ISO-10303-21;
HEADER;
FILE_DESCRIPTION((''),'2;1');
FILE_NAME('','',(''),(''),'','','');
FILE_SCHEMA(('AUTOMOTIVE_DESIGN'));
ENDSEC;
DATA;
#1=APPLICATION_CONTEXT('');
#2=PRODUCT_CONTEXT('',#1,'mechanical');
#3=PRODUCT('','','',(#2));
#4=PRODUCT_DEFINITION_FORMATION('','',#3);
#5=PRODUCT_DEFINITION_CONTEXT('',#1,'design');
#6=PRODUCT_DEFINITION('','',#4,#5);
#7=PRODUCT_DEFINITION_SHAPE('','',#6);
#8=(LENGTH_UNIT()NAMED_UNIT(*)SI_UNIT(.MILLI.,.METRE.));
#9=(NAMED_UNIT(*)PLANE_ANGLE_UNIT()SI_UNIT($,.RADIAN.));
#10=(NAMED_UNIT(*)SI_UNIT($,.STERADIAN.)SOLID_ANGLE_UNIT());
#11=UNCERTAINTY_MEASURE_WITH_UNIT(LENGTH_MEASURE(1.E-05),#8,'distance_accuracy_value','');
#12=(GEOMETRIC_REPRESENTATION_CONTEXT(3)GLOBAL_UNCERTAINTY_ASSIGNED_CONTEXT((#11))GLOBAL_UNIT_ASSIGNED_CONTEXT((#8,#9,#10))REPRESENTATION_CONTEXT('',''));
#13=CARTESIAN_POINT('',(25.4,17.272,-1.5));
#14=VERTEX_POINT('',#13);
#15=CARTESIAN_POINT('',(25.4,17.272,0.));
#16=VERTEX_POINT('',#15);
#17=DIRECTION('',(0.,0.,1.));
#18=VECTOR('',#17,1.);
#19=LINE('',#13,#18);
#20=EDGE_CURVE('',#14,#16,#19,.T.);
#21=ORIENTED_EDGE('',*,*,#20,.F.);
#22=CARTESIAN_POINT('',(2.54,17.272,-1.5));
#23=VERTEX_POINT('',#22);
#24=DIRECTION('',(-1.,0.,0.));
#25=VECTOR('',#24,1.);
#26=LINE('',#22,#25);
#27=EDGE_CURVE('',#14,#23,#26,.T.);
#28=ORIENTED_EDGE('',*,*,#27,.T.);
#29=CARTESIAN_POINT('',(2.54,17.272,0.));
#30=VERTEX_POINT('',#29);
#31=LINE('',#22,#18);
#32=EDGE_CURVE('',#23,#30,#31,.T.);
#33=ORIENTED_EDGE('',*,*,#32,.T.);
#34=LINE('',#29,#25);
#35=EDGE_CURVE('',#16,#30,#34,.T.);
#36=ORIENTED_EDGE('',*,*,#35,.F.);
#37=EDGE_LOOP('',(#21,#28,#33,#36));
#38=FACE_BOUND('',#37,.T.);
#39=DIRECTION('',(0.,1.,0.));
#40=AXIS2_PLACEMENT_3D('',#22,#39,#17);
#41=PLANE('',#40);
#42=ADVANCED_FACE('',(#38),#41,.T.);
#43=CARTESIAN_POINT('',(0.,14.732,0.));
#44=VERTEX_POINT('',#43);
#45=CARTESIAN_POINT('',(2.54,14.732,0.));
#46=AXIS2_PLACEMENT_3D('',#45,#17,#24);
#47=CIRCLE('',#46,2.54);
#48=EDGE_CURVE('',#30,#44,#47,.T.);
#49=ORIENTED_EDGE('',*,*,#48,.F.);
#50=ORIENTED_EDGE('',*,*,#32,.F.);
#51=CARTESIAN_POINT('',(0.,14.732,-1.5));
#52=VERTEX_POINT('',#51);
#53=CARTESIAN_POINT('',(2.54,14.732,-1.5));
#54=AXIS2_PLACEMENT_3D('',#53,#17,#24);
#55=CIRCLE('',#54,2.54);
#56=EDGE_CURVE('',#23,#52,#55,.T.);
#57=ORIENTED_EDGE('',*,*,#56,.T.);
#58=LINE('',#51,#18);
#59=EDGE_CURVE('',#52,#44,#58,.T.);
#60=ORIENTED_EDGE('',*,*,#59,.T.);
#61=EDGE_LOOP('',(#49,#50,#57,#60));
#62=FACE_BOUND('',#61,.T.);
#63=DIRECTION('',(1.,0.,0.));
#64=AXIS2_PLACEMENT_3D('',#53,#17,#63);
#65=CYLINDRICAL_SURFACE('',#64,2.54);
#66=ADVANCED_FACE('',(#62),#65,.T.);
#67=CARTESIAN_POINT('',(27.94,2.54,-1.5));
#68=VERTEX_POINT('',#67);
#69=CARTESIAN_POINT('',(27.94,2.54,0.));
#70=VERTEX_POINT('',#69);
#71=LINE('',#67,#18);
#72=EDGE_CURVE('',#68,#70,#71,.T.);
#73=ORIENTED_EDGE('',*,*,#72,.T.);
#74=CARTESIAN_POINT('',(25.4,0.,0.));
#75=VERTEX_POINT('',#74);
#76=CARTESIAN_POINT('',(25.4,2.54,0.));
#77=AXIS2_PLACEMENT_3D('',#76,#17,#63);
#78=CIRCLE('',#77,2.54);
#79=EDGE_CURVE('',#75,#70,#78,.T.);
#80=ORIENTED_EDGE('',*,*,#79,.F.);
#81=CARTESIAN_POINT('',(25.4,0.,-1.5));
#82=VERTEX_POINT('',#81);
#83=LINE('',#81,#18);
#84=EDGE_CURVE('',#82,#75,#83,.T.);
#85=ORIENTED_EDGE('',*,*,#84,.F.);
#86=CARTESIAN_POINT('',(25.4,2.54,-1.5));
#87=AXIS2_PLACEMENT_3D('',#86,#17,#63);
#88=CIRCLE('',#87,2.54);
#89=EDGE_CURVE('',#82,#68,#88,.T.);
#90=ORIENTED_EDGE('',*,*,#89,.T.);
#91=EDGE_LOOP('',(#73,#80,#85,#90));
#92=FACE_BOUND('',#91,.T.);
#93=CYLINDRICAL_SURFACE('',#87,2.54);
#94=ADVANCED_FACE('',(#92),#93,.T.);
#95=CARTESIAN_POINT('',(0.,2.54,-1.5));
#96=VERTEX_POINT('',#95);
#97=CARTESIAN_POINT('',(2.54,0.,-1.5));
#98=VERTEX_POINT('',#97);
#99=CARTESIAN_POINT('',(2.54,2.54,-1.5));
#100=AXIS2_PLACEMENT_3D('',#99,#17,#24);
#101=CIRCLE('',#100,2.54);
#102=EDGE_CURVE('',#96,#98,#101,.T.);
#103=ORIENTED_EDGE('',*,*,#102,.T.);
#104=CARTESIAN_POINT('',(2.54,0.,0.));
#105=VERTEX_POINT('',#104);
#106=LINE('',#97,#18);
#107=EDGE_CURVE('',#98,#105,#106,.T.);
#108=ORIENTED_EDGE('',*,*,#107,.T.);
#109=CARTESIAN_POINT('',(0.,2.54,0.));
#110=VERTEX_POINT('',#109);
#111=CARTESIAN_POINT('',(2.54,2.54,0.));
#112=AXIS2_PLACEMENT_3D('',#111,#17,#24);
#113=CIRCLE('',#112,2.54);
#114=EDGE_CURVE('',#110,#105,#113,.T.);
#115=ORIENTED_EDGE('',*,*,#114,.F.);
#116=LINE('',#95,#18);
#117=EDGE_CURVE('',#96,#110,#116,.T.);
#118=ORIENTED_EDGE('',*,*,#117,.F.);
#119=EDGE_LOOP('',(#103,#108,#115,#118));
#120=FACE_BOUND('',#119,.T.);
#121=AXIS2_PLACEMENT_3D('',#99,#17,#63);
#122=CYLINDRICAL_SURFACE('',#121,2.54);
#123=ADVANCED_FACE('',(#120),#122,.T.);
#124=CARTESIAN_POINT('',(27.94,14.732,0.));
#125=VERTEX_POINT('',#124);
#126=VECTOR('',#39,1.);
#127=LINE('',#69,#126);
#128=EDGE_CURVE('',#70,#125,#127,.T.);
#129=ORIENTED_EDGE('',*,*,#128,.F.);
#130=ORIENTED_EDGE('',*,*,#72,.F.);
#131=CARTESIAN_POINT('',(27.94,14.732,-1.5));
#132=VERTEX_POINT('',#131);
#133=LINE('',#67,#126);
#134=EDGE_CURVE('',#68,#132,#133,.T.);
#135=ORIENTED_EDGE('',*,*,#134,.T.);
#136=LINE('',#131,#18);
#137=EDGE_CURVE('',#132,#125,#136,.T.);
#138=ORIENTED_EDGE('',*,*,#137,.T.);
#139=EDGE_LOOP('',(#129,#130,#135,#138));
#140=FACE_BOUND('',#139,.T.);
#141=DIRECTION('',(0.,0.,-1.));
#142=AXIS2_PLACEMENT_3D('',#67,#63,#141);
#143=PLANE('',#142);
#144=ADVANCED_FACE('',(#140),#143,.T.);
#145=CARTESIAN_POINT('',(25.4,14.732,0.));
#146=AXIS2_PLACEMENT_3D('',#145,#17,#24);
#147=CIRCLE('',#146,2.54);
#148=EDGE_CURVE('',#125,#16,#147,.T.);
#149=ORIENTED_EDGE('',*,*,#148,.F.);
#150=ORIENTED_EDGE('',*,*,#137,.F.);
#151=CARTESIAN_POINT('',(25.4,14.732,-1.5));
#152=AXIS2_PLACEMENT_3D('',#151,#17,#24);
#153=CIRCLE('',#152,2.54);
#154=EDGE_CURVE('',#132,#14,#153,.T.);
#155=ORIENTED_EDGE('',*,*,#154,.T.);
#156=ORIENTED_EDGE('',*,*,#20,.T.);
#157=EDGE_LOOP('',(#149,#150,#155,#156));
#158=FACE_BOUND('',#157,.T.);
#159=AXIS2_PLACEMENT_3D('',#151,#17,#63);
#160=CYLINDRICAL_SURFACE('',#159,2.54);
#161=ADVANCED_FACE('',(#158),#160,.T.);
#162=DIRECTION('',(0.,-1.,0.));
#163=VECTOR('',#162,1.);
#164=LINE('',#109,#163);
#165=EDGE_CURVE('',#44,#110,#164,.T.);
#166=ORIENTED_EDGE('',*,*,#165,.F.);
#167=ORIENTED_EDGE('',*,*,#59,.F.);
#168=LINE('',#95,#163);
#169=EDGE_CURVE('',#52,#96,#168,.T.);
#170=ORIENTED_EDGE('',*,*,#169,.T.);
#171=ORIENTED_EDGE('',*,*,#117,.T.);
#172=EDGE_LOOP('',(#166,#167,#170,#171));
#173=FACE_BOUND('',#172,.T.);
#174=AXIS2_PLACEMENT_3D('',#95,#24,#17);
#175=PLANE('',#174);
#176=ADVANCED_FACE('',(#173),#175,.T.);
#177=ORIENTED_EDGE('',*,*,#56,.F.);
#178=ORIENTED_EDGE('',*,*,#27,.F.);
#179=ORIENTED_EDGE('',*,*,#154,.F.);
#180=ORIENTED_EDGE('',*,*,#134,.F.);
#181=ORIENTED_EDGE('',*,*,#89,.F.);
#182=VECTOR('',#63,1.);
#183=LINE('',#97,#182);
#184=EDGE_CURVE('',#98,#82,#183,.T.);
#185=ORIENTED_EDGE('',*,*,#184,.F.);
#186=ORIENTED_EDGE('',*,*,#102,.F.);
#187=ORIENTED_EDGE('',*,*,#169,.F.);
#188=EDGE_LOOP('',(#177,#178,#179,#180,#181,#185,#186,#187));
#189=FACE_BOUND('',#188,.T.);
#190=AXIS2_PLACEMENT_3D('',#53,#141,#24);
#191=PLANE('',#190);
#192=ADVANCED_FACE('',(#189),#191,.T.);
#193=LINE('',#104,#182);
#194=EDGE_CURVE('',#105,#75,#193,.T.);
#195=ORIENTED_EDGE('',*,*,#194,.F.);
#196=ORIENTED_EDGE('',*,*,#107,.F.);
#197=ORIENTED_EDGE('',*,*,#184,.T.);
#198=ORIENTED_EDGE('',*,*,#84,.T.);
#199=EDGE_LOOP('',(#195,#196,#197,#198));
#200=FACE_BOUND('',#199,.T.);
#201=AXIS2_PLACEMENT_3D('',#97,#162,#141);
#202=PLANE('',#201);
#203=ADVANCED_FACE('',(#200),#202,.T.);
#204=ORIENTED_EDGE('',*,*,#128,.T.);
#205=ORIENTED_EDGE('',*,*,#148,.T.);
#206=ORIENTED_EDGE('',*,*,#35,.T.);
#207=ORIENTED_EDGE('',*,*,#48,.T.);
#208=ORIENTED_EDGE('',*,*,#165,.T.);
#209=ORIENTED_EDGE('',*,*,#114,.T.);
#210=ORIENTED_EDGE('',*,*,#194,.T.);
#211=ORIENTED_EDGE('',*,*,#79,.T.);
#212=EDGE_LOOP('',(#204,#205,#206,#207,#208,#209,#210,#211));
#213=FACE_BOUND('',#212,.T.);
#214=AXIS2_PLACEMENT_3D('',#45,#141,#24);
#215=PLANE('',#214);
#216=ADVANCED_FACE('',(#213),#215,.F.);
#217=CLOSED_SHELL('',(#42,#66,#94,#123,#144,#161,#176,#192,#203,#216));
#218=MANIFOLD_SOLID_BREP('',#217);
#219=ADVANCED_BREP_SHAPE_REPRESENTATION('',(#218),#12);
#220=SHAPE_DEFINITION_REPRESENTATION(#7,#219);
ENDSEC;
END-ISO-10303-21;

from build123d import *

# Parameters (mm, degrees)
SALIENTE_EXTRUIR1_DEPTH = 1.5


with BuildPart() as part:
    # Croquis2 → Saliente-Extruir1 (new body)
    with BuildSketch(Plane.XY):
        with BuildLine():
            Line((2.54, 0), (25.4, 0))
            ThreePointArc((25.4, 0), (27.196051224, 0.743948776), (27.94, 2.54))
            Line((27.94, 2.54), (27.94, 14.732))
            ThreePointArc((27.94, 14.732), (27.196051224, 16.528051224), (25.4, 17.272))
            Line((25.4, 17.272), (2.54, 17.272))
            ThreePointArc((2.54, 17.272), (0.743948776, 16.528051224), (0, 14.732))
            Line((0, 14.732), (0, 2.54))
            ThreePointArc((0, 2.54), (0.743948776, 0.743948776), (2.54, 0))
        make_face()
    extrude(amount=-SALIENTE_EXTRUIR1_DEPTH)


solid = part.part
